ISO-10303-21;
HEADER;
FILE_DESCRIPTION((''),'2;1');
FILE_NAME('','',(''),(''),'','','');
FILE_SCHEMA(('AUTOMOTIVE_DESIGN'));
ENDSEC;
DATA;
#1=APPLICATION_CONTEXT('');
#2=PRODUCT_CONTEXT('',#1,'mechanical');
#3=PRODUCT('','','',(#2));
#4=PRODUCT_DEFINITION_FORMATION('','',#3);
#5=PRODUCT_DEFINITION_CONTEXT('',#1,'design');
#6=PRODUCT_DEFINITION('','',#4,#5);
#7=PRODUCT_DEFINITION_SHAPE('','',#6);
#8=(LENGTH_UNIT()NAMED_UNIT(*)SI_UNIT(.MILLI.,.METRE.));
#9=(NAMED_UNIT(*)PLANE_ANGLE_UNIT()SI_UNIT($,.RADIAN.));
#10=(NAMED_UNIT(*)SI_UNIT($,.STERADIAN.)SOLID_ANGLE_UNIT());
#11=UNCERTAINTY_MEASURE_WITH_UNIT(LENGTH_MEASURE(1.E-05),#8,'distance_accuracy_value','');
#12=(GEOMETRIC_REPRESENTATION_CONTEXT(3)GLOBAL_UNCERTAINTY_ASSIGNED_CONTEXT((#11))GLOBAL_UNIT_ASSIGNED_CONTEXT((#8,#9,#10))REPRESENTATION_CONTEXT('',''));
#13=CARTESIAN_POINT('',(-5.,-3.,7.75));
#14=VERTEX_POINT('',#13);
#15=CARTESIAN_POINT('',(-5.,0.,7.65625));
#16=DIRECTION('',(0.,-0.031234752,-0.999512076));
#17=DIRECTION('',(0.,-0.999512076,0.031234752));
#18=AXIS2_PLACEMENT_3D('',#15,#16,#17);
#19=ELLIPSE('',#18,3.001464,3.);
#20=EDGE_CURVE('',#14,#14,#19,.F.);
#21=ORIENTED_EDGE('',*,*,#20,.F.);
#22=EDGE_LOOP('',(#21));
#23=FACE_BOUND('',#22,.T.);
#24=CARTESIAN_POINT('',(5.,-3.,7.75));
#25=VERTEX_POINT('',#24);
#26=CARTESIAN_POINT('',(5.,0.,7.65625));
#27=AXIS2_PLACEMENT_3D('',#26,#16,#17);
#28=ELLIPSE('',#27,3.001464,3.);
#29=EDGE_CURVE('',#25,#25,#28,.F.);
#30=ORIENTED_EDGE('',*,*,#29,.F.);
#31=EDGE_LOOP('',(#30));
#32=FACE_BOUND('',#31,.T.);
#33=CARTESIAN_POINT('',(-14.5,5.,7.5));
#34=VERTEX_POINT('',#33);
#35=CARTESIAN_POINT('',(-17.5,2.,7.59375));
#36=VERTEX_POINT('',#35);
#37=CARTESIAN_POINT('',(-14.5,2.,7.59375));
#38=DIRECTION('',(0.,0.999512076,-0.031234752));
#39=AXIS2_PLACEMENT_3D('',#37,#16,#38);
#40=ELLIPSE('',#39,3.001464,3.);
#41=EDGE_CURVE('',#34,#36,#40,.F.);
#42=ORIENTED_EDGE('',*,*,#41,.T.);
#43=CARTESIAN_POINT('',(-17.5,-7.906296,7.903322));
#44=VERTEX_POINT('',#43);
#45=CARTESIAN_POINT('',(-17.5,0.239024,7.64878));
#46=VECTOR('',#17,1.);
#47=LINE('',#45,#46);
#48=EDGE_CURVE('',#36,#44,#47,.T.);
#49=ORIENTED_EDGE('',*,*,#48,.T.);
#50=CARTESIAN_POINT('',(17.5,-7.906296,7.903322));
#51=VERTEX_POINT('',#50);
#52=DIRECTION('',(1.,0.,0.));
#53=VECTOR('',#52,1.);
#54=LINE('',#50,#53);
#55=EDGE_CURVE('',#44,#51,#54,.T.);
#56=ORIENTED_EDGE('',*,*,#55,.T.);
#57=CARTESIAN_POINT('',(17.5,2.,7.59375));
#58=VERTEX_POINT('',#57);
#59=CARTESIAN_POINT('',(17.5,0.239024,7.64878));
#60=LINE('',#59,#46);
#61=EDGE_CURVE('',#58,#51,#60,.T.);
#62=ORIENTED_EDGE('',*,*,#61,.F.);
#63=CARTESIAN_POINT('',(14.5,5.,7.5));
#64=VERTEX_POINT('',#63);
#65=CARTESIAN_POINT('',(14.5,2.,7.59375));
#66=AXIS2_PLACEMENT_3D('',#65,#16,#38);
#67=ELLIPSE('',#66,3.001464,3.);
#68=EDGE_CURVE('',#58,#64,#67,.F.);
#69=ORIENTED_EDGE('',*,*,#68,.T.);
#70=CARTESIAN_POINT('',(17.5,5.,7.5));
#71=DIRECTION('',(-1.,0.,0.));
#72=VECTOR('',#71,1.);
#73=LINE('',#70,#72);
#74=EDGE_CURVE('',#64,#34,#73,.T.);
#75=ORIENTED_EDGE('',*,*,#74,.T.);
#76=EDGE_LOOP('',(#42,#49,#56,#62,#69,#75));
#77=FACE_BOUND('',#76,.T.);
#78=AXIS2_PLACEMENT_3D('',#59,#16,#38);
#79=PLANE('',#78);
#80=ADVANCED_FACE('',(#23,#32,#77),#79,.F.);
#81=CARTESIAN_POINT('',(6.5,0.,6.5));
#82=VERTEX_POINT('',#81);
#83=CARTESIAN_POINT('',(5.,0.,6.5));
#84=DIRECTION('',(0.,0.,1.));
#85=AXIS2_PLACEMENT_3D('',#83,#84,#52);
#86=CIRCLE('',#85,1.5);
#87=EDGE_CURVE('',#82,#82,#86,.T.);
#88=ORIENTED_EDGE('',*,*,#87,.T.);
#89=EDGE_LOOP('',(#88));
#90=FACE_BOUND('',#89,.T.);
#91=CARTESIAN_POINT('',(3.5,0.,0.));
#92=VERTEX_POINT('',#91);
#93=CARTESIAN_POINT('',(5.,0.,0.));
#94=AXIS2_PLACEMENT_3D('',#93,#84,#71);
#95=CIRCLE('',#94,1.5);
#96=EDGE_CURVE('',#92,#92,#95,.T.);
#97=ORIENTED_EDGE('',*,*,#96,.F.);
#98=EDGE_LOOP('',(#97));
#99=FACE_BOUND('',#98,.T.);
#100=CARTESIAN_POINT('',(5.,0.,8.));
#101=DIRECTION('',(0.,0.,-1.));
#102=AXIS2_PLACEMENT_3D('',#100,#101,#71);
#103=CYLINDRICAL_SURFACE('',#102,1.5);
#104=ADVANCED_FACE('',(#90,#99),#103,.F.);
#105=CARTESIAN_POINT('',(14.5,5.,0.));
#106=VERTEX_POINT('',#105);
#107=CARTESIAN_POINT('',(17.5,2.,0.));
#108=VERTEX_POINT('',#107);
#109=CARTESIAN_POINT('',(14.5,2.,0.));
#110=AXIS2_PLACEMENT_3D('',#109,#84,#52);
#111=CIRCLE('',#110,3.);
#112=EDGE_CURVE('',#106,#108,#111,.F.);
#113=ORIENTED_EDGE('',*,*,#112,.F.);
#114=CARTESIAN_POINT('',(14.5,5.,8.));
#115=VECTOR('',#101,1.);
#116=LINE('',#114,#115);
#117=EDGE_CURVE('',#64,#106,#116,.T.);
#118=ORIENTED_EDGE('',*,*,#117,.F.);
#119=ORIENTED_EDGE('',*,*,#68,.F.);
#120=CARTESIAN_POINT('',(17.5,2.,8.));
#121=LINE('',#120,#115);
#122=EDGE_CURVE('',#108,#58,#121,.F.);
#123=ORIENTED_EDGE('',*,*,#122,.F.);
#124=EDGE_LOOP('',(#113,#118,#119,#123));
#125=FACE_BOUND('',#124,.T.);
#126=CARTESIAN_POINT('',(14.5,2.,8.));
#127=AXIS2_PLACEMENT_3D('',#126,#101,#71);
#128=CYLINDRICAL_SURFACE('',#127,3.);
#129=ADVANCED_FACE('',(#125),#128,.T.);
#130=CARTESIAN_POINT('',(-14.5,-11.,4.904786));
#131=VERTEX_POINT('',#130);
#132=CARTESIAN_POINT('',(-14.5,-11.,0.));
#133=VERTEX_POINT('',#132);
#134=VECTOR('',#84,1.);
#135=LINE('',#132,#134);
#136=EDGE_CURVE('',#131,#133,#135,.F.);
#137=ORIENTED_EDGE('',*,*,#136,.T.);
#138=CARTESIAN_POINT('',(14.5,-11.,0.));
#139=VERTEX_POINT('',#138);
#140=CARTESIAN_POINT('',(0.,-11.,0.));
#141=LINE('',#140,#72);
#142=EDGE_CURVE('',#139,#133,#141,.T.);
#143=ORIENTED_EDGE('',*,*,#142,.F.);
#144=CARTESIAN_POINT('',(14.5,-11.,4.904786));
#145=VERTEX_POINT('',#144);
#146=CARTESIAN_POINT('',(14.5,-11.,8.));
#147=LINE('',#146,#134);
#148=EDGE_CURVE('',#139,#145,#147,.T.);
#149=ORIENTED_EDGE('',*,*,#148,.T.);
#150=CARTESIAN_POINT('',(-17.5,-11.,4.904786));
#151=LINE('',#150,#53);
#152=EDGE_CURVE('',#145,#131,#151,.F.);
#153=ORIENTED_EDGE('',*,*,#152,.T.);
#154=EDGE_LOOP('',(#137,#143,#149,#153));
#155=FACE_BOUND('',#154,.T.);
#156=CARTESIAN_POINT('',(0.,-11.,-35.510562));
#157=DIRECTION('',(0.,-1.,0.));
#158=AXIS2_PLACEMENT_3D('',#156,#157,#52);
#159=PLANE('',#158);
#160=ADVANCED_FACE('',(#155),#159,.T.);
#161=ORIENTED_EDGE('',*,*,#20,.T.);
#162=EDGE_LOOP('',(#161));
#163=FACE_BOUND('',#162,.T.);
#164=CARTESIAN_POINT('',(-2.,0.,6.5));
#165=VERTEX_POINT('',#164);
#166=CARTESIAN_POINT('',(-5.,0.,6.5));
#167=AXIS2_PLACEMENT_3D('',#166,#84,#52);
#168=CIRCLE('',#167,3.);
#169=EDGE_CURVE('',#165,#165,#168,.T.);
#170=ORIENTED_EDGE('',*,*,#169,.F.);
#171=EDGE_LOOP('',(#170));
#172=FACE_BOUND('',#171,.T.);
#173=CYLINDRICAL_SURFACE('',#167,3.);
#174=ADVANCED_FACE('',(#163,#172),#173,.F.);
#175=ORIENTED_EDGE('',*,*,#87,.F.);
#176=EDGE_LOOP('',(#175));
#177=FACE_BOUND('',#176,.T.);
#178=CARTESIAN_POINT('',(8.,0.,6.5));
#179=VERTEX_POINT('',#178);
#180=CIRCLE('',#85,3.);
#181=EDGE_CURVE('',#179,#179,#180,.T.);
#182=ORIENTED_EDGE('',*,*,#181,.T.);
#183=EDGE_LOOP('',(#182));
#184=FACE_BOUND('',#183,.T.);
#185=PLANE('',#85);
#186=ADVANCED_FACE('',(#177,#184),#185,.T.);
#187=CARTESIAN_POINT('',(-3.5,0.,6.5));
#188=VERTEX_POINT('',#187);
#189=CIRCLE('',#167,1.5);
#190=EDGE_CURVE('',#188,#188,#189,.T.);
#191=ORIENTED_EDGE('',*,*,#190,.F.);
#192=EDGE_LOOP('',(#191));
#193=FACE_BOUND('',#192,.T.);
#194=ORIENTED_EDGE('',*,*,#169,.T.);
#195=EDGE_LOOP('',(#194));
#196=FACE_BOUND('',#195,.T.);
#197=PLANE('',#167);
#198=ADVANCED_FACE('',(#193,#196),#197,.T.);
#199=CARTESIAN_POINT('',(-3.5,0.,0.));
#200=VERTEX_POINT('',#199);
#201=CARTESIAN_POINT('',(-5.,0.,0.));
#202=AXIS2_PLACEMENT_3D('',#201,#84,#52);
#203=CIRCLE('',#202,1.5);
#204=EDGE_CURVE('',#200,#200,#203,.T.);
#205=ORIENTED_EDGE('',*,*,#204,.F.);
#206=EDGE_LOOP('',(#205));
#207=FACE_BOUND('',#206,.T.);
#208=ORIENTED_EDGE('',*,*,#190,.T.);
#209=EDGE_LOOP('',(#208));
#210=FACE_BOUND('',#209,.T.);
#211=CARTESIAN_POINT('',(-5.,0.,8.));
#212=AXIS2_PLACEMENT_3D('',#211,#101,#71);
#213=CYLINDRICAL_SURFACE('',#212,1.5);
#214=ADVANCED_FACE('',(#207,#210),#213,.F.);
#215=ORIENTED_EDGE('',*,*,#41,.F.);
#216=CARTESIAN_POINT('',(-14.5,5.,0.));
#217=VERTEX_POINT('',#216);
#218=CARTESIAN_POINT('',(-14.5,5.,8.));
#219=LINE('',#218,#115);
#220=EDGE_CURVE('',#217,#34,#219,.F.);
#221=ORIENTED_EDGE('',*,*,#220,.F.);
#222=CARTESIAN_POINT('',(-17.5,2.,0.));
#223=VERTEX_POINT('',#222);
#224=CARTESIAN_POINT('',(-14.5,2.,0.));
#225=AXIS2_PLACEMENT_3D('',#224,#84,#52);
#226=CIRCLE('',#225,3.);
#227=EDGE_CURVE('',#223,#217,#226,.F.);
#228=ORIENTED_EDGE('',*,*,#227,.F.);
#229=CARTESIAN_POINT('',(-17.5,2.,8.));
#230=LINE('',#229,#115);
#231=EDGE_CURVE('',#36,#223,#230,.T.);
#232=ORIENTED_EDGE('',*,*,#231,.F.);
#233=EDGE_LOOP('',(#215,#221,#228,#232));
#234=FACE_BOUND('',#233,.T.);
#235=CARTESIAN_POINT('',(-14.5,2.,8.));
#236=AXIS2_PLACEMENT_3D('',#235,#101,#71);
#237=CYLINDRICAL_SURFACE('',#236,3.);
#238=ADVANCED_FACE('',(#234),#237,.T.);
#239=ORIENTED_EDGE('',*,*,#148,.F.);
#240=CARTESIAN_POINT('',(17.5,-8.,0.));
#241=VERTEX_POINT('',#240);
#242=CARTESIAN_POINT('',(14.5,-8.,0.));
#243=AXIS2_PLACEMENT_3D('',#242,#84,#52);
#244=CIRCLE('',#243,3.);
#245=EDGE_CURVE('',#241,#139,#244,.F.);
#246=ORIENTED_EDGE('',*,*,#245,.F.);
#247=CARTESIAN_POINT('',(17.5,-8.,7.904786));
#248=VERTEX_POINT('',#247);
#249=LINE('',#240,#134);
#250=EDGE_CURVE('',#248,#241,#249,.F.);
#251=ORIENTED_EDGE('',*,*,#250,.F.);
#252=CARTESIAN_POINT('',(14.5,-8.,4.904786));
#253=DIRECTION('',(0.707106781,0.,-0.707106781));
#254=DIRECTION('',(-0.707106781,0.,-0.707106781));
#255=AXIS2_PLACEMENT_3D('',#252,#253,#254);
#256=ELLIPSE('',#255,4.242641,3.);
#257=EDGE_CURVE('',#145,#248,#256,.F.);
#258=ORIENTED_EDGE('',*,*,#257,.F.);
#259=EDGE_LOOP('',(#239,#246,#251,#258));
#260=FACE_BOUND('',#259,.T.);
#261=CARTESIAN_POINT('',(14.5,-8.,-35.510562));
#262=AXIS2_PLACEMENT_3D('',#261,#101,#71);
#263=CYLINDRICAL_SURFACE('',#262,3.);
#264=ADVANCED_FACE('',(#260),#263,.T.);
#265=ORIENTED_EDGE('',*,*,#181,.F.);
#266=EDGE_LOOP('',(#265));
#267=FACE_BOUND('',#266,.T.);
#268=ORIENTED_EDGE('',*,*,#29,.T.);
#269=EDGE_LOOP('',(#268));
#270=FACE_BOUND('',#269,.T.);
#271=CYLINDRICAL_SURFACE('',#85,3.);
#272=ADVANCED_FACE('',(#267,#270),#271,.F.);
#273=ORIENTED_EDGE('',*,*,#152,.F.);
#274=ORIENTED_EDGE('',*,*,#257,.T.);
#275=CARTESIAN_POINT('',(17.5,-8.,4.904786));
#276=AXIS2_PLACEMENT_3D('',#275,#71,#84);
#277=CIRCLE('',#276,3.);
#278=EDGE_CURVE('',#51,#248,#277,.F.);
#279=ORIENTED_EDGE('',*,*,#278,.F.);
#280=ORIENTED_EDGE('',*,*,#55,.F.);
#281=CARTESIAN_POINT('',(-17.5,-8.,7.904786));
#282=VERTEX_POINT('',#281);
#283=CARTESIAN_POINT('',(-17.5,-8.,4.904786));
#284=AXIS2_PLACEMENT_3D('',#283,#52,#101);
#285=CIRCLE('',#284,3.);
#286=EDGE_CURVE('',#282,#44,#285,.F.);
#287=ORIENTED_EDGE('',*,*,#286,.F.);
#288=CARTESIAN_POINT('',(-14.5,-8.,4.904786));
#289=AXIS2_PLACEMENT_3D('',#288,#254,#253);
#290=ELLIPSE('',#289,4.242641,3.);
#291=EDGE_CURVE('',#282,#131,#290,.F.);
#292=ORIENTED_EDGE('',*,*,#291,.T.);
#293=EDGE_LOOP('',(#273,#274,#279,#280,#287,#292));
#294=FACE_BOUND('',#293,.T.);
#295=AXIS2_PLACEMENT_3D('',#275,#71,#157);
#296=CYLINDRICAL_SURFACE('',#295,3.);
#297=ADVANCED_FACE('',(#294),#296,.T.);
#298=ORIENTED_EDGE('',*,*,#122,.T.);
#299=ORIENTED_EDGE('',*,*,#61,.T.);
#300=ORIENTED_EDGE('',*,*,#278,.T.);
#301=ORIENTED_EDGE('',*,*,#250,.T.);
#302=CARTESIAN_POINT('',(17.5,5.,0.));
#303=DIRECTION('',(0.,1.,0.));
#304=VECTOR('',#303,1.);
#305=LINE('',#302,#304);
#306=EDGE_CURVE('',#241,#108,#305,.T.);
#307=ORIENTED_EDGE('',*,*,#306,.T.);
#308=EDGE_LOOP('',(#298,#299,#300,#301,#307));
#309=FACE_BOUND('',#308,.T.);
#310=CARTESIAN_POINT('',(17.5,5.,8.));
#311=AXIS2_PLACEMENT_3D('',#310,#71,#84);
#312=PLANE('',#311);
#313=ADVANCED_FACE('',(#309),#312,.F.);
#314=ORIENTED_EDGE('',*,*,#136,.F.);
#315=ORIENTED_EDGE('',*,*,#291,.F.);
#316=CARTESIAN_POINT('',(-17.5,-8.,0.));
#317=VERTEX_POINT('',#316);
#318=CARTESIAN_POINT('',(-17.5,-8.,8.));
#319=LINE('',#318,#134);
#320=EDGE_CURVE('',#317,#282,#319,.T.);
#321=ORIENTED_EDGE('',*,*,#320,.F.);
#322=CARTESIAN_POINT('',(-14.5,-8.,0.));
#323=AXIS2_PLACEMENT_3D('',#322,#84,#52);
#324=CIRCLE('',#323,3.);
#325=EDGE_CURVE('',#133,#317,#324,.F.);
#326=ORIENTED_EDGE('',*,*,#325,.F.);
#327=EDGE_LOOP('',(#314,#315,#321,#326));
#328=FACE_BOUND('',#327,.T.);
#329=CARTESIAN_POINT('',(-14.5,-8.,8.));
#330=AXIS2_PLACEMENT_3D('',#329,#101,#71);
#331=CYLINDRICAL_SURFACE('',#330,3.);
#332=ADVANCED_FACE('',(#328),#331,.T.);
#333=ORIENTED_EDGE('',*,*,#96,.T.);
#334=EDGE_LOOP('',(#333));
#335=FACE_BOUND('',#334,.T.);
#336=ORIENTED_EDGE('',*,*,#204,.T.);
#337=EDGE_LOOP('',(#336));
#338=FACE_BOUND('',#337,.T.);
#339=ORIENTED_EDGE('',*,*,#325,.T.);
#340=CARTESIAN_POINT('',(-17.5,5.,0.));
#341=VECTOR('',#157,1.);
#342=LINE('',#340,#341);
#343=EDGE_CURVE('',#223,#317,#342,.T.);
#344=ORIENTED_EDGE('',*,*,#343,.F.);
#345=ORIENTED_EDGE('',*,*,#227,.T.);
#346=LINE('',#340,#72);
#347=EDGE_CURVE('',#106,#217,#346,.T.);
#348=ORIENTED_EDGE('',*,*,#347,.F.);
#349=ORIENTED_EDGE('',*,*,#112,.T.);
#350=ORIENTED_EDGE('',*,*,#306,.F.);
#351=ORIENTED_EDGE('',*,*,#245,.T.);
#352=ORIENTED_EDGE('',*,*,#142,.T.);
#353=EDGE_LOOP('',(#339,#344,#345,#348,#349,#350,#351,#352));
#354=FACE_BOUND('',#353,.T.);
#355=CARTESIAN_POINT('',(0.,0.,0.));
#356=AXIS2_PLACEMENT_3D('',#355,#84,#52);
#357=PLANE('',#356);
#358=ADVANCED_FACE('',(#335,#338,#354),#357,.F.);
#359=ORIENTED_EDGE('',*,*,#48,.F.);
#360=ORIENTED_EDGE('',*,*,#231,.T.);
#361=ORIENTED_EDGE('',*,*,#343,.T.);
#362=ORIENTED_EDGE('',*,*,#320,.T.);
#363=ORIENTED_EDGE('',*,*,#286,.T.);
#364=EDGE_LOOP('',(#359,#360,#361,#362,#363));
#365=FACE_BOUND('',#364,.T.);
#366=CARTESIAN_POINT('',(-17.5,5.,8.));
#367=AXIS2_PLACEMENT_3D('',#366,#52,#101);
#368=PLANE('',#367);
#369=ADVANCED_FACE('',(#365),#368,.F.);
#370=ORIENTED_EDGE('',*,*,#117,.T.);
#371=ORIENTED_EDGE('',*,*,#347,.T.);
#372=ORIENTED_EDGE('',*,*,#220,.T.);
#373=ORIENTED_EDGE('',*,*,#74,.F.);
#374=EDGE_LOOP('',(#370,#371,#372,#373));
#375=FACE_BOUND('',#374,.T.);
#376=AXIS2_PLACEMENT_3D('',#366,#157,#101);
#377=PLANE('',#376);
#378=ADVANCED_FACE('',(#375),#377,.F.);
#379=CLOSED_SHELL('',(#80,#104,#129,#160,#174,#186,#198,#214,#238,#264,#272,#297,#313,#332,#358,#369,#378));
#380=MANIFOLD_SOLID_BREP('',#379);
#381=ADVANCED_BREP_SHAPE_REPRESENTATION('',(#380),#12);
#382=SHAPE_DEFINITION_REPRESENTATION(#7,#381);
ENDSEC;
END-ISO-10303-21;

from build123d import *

# Parameters (mm, degrees)
SKETCH_1_W          = 35
SKETCH_1_H          = 10
SKETCH_1_R          = 1.5
EXTRUDE_1_DEPTH     = 8
CUT_EXTRUDE_START   = -1.5
SKETCH_2_R          = 3
SKETCH_2_R_2        = 1.5
CUT_EXTRUDE_1_DEPTH = 1.5
SKETCH_3_W          = 35
SKETCH_3_H          = 6
EXTRUDE_2_DEPTH     = 8
CUT_EXTRUDE_2_DEPTH = 38.549966711
FILLET_2_R          = 3


with BuildPart() as part:
    # 草图1 → 凸台-拉伸1 (new body)
    with BuildSketch(Plane.XY):
        Rectangle(SKETCH_1_W, SKETCH_1_H)
        with Locations((-5, 0)):
            Circle(SKETCH_1_R, mode=Mode.SUBTRACT)
        with Locations(Location((5, 0, 0), (0, 0, 180))):
            Circle(SKETCH_1_R, mode=Mode.SUBTRACT)
    extrude(amount=EXTRUDE_1_DEPTH)

    # 草图2 → 切除-拉伸1 (cut)
    # profile 1 of 2: a face of its own
    with BuildSketch(Plane.XY.offset(8).offset(CUT_EXTRUDE_START)):
        with Locations((-5, 0)):
            Circle(SKETCH_2_R)
        with Locations((-5, 0)):
            Circle(SKETCH_2_R_2, mode=Mode.SUBTRACT)
    # profile 2 of 2: a face of its own
    with BuildSketch(Plane.XY.offset(8).offset(CUT_EXTRUDE_START)):
        with Locations((5, 0)):
            Circle(SKETCH_2_R)
        with Locations(Location((5, 0, 0), (0, 0, 180))):
            Circle(SKETCH_2_R_2, mode=Mode.SUBTRACT)
    extrude(amount=CUT_EXTRUDE_1_DEPTH, mode=Mode.SUBTRACT)

    # 草图3 → 凸台-拉伸2 (add)
    with BuildSketch(Plane.XY.offset(8)):
        with Locations((0, -8)):
            Rectangle(SKETCH_3_W, SKETCH_3_H)
    extrude(amount=-EXTRUDE_2_DEPTH)

    # 草图4 → 切除-拉伸2 (cut, through all)
    with BuildSketch(Plane.ZY.offset(17.5)):
        Polygon((8, 5), (7.5, 5), (8, -11), align=None)
    extrude(amount=-CUT_EXTRUDE_2_DEPTH, mode=Mode.SUBTRACT)

    # 圆角2
    fillet_2_edges = [part.edges().sort_by_distance(p)[0] for p in [
        (0, -11, 8),
        (-17.5, -11, 4),
        (17.5, -11, 4),
        (-17.5, 5, 3.75),
        (17.5, 5, 3.75),
    ]]
    fillet(fillet_2_edges, radius=FILLET_2_R)


solid = part.part
